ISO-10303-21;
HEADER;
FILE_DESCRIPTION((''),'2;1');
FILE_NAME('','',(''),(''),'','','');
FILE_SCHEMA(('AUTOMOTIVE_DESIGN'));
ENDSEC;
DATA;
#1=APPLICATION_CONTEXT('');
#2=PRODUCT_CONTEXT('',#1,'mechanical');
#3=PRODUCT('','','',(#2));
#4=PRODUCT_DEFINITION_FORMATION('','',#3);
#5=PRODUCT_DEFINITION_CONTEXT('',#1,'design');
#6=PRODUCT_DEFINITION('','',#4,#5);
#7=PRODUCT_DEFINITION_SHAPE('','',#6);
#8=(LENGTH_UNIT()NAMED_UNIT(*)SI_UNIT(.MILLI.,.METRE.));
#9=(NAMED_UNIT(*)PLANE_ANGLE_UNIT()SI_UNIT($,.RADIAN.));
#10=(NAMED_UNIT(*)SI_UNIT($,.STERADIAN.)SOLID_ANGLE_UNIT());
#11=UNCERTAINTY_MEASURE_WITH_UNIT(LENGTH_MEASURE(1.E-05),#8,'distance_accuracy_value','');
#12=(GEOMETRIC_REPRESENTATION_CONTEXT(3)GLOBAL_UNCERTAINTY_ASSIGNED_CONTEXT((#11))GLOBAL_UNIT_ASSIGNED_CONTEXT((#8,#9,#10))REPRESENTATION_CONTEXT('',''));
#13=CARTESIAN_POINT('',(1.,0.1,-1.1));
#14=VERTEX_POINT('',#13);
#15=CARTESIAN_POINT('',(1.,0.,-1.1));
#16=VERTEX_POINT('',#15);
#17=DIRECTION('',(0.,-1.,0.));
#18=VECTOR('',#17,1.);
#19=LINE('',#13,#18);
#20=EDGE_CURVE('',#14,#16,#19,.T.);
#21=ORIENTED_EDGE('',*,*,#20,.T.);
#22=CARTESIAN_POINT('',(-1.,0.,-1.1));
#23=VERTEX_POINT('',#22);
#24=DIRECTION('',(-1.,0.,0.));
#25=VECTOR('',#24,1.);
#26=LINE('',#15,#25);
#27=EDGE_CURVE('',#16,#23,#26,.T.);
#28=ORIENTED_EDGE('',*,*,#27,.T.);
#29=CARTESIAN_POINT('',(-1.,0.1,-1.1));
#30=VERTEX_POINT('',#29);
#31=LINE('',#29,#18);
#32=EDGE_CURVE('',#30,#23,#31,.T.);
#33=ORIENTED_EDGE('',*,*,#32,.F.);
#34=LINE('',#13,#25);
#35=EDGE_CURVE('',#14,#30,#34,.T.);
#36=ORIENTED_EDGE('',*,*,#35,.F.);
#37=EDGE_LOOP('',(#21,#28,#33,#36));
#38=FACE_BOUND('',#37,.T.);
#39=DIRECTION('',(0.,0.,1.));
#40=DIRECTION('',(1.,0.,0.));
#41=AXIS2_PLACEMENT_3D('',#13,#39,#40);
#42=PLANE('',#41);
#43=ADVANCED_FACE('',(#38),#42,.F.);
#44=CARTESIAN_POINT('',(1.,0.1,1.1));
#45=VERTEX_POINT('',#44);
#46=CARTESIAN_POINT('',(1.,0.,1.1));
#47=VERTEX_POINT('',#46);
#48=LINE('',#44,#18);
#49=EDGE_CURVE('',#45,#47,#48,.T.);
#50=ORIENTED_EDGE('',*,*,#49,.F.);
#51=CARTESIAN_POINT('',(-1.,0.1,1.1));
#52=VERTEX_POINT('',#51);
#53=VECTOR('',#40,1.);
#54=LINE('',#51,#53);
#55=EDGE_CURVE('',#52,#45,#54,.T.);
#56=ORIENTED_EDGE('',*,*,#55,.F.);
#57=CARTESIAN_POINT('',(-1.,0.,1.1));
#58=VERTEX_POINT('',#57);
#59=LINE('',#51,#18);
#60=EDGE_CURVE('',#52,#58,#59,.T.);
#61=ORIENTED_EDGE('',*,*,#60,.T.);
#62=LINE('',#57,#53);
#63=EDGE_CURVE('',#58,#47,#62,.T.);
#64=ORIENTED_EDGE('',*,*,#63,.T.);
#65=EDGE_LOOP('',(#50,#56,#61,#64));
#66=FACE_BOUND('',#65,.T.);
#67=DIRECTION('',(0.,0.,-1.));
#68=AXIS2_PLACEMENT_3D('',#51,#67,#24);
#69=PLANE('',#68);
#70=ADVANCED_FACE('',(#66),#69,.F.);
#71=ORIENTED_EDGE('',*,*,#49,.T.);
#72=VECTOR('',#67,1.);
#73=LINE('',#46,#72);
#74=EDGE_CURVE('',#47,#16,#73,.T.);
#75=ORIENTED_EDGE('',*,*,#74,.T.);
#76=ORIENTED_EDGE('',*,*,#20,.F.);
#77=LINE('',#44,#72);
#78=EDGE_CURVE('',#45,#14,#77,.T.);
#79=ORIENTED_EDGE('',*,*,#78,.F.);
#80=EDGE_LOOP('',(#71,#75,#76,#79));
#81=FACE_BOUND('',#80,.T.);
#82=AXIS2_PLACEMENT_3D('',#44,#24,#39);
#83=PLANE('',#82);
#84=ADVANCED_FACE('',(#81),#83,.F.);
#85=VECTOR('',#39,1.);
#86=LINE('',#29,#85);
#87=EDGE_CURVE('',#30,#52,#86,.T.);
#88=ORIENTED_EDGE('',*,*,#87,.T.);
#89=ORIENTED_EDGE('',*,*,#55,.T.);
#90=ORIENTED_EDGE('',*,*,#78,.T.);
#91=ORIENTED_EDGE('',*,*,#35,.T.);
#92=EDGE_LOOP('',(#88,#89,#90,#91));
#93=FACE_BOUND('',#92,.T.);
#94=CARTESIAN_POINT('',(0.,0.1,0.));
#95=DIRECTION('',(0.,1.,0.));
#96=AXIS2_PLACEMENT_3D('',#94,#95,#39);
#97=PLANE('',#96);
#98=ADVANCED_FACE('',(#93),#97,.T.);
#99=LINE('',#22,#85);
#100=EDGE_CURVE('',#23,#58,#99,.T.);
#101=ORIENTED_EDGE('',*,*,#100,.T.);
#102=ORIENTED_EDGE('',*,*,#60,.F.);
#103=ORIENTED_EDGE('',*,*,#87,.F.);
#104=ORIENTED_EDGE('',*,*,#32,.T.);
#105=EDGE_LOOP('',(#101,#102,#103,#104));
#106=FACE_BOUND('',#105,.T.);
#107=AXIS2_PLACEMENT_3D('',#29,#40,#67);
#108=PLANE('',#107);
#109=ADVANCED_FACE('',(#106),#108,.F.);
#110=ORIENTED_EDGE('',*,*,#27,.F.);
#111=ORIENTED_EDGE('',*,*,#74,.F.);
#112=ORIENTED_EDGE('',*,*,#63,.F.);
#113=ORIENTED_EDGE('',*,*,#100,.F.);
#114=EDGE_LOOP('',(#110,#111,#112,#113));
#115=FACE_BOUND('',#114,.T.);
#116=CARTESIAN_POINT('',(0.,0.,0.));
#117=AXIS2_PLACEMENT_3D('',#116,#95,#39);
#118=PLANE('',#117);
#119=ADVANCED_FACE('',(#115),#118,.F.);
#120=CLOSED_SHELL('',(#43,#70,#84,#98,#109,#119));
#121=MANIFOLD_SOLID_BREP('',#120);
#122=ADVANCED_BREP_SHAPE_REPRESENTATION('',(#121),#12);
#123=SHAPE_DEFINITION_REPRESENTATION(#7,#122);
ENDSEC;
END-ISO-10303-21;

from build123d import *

# Parameters (mm, degrees)
CROQUIS1_W       = 2
CROQUIS1_H       = 2.2
EXTRUSI_N1_DEPTH = 0.1


with BuildPart() as part:
    # Croquis1 → Extrusión1 (new body)
    with BuildSketch(Plane(origin=(0, 0, 0), x_dir=(-1, 0, 0), z_dir=(0, 1, 0))):
        Rectangle(CROQUIS1_W, CROQUIS1_H)
    extrude(amount=EXTRUSI_N1_DEPTH)


solid = part.part
